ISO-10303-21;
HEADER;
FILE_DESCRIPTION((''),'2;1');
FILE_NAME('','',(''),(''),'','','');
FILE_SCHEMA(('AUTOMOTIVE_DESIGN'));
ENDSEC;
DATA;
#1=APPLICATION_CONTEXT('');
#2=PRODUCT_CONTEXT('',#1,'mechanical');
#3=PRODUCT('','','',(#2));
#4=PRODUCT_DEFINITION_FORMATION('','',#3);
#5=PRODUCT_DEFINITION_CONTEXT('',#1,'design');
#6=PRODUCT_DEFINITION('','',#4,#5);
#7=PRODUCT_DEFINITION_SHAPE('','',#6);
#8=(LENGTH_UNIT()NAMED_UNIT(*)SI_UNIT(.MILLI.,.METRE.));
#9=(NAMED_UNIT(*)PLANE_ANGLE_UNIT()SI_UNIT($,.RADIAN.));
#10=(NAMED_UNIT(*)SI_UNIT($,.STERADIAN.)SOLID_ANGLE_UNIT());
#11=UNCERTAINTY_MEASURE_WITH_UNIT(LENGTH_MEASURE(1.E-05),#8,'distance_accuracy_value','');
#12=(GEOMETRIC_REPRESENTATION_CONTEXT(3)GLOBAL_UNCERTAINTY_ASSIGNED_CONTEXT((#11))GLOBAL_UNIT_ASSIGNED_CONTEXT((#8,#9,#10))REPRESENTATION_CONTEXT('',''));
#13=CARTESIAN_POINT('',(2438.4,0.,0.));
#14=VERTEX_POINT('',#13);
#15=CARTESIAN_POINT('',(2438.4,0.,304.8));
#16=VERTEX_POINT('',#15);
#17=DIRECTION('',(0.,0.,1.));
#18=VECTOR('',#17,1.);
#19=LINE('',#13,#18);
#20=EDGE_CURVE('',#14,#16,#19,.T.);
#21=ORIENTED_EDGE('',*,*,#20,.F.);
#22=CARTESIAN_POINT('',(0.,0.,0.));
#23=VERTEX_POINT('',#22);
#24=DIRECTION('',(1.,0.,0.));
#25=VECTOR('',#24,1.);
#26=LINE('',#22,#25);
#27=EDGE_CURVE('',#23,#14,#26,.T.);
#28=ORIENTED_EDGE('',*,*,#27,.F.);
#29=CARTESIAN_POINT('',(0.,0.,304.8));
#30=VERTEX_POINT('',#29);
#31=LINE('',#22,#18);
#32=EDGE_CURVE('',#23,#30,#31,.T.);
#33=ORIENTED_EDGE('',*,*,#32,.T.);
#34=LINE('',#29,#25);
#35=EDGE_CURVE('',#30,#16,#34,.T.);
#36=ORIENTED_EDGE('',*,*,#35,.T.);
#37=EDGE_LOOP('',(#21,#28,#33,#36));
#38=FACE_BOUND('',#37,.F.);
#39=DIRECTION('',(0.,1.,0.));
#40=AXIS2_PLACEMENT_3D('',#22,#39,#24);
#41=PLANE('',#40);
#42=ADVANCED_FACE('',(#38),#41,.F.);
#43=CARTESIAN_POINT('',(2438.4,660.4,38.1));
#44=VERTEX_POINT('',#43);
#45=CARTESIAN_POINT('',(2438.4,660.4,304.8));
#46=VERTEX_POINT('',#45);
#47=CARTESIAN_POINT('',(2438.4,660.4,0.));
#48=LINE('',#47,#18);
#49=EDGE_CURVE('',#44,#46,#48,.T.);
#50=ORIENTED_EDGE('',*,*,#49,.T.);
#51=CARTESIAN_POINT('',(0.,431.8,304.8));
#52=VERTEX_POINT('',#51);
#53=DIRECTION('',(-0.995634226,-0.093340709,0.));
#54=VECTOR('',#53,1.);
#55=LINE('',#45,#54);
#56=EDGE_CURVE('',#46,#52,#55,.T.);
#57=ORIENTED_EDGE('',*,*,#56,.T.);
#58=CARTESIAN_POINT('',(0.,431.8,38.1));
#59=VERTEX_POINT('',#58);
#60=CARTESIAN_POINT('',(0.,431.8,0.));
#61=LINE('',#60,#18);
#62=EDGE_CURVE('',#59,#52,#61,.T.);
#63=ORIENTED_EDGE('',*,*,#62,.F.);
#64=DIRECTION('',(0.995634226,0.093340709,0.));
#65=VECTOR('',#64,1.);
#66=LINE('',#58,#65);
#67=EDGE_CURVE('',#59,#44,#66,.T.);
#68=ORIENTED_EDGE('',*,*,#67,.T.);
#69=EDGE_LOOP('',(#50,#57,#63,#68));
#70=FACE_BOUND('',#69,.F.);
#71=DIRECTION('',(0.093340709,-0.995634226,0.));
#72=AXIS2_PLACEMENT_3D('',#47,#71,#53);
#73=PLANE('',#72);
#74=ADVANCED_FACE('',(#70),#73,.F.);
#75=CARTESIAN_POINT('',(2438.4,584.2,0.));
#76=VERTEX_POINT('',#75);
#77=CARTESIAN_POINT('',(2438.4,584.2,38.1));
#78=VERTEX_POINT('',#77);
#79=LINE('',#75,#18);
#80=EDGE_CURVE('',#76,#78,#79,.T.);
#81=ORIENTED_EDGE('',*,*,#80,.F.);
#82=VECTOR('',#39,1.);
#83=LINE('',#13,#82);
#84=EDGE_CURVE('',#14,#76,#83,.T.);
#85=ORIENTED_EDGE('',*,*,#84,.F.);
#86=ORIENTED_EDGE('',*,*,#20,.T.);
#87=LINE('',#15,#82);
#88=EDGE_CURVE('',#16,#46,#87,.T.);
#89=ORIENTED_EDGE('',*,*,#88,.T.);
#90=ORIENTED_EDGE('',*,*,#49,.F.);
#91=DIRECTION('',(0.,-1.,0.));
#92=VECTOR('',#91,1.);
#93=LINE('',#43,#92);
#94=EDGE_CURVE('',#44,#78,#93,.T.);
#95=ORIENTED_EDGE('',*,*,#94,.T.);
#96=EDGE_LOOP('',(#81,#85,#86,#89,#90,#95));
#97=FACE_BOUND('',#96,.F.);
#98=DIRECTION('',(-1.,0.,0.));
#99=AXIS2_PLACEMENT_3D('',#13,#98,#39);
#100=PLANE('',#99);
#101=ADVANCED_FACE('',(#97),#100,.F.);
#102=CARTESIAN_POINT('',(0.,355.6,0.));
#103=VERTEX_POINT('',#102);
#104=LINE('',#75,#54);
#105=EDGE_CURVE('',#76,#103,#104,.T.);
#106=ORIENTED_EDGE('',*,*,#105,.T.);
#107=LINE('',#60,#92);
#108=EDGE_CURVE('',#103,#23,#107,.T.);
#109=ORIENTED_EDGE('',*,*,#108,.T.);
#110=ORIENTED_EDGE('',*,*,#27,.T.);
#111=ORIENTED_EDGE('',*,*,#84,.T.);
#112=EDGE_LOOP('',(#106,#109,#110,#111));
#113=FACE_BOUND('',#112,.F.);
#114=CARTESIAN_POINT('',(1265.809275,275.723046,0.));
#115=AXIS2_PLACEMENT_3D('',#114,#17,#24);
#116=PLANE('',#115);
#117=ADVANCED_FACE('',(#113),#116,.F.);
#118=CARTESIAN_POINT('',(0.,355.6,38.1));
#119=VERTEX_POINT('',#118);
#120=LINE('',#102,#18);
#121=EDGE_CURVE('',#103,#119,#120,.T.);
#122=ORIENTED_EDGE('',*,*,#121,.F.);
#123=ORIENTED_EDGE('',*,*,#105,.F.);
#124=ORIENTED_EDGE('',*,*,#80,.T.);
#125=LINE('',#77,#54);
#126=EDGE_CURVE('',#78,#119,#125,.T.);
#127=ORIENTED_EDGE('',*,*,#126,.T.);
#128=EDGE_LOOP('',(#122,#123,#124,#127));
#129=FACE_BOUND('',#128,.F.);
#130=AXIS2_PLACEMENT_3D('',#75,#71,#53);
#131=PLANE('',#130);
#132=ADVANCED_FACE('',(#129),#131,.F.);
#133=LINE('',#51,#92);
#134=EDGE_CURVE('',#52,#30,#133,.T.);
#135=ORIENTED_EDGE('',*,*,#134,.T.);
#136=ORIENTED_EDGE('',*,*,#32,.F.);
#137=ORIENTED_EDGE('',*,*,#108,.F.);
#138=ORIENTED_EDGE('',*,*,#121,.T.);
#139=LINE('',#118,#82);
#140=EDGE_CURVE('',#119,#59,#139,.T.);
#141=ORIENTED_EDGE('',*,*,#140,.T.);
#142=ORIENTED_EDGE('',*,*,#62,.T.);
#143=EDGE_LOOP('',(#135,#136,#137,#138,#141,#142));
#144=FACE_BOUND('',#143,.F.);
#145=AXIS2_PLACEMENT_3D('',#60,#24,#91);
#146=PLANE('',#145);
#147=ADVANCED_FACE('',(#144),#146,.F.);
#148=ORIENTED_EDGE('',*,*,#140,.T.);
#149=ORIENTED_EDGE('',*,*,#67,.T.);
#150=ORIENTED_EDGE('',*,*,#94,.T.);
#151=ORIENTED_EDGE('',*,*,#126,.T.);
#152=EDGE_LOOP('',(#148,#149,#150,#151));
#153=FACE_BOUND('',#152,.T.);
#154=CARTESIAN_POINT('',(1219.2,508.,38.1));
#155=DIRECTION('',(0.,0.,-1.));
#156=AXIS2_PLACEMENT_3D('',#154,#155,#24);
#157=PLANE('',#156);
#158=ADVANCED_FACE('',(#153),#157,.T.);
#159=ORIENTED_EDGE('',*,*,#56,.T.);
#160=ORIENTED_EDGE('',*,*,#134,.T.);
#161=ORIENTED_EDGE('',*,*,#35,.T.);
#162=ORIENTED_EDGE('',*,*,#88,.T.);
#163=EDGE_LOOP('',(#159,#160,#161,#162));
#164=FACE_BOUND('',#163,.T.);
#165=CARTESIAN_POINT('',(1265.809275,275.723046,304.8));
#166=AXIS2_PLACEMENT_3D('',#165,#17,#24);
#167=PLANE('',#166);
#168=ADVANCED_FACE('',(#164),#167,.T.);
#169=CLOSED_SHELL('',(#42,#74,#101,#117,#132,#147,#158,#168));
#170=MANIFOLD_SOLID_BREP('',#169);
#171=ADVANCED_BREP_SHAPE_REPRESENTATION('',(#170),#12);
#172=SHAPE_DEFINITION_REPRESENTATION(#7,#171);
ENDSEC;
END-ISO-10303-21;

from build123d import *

# Parameters (mm, degrees)
F1_DEPTH = 304.8
F3_DEPTH = 38.1


with BuildPart() as f1:
    # F0 (on Top) → F1 (new body)
    with BuildSketch(Plane.XY):
        Polygon((0, 431.8), (0, 0), (2438.4, 0), (2438.4, 660.4), align=None)
    extrude(amount=F1_DEPTH)

    # F2 (on face) → F3 (cut)
    with BuildSketch(Plane(origin=(0, 0, 0), x_dir=(1, 0, 0), z_dir=(0, 0, -1))):
        Polygon((0, -431.8), (2438.4, -660.4), (2438.4, -584.2), (0, -355.6), align=None)
    extrude(amount=-F3_DEPTH, mode=Mode.SUBTRACT)


solid = f1.part
